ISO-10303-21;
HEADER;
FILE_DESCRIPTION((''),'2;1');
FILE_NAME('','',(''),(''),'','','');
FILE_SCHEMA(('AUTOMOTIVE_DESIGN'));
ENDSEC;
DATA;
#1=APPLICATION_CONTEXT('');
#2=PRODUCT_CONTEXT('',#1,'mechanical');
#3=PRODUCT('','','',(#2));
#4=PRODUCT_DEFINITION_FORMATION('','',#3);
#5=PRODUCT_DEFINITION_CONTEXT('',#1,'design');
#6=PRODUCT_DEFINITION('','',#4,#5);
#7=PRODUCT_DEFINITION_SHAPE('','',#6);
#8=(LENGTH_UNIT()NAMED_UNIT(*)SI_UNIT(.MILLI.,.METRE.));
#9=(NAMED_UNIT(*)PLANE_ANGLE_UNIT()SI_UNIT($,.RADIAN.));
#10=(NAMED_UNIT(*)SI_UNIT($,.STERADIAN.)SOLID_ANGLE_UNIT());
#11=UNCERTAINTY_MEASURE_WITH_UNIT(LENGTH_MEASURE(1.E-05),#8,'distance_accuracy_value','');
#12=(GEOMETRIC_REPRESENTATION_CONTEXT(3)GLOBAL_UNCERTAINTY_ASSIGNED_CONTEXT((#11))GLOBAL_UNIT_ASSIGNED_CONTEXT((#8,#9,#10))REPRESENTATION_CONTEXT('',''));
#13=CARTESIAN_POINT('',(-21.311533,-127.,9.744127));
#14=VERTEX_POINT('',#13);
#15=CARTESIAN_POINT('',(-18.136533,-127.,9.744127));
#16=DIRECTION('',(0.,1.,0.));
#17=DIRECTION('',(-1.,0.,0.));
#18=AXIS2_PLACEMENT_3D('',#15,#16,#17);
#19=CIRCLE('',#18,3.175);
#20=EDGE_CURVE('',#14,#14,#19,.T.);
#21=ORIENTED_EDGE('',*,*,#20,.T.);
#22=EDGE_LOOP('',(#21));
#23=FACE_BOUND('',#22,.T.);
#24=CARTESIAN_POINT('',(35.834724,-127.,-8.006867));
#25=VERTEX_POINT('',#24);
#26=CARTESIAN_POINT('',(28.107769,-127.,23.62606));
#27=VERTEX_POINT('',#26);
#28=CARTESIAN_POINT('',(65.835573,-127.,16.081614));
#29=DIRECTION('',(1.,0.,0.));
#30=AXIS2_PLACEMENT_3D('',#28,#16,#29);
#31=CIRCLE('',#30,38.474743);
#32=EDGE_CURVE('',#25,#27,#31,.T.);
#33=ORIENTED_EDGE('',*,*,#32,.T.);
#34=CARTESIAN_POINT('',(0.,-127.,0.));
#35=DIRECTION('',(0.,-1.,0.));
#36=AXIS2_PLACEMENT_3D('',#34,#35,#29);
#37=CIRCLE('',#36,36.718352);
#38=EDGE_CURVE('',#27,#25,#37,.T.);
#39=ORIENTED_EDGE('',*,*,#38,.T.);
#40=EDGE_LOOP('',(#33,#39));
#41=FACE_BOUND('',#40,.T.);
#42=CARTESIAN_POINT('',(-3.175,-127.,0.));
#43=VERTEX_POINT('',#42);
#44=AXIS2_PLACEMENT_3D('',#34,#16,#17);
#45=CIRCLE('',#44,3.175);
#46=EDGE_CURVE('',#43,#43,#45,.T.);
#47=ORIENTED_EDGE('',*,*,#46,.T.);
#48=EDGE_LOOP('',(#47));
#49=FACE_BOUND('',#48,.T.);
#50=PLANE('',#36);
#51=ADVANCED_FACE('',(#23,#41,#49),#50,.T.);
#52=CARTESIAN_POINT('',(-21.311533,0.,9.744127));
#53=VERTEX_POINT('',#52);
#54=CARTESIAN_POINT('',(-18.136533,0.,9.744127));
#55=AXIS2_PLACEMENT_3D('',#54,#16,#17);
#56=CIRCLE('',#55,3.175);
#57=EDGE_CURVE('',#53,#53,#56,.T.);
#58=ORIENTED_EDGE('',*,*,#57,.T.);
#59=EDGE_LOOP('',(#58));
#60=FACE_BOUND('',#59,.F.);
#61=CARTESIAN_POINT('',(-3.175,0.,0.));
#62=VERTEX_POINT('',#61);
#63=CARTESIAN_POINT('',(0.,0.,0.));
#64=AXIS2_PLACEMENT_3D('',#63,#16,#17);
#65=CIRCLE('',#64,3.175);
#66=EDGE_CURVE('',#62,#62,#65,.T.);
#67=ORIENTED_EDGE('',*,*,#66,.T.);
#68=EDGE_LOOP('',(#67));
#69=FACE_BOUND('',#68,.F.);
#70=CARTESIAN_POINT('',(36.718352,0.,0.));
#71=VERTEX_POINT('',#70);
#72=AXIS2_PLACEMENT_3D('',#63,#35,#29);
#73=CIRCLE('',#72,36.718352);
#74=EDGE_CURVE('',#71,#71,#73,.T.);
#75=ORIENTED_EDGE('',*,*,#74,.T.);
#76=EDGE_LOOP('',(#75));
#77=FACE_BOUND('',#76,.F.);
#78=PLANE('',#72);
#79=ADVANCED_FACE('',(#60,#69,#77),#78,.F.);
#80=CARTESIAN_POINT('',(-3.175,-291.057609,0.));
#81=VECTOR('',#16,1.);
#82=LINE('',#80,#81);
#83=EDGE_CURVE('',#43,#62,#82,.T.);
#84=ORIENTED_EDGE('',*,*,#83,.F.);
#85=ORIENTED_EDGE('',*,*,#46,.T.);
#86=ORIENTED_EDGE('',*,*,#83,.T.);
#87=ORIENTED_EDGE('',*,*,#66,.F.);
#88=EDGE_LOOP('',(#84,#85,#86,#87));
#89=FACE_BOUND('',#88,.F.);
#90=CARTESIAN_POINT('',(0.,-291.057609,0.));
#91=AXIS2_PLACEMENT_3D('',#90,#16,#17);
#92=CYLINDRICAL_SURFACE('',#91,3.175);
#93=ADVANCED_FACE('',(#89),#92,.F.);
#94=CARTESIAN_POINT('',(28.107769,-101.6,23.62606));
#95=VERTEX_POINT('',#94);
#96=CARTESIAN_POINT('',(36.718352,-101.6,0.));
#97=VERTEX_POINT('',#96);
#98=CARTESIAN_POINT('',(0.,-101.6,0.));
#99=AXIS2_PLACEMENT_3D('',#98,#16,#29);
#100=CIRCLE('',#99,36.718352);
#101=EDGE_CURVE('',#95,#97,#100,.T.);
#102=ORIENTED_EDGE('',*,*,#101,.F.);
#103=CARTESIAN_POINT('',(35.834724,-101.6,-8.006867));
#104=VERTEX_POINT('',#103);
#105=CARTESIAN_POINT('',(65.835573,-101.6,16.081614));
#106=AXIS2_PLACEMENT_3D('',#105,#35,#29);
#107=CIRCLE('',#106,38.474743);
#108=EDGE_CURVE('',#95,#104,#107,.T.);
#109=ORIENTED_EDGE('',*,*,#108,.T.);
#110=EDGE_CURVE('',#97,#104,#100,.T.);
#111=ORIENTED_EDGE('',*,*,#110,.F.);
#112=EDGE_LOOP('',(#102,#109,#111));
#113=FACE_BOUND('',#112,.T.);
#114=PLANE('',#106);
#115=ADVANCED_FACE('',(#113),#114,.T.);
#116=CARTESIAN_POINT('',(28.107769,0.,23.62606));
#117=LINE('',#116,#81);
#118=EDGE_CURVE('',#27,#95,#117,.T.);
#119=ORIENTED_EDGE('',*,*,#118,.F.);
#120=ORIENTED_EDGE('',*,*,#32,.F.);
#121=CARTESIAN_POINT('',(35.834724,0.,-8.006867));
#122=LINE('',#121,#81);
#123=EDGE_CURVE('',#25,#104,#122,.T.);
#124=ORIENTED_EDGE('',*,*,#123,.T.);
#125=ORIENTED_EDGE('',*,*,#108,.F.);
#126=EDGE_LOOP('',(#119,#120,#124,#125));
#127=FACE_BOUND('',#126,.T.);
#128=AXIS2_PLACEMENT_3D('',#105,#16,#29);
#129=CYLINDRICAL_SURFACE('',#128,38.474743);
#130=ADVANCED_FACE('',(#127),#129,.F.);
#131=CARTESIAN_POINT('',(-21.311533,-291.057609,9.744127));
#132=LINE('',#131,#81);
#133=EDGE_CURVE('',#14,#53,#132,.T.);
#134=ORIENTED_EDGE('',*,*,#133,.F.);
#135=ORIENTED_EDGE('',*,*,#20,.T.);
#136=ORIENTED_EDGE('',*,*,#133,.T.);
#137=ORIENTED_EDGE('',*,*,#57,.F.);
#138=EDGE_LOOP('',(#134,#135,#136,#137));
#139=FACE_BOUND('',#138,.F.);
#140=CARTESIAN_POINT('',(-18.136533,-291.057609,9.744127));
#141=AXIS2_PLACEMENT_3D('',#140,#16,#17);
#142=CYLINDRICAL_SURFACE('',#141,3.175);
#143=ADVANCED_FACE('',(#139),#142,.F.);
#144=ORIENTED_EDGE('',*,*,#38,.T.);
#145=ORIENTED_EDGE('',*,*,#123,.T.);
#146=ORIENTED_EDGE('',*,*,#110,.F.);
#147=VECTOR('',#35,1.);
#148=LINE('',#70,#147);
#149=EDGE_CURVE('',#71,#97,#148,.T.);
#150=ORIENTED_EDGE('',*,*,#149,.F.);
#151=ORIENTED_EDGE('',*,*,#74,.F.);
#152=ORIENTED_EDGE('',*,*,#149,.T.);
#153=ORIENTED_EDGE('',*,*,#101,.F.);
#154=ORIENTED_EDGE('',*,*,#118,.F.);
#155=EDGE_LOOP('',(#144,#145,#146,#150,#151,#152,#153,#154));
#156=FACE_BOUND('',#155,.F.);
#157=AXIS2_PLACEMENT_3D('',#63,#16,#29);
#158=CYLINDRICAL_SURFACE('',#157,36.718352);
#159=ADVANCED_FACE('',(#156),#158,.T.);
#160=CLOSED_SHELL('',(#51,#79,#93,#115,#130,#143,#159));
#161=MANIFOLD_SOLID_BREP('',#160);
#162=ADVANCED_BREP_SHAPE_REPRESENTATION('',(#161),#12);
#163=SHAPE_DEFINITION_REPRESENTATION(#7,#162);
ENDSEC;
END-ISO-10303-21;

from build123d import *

# Parameters (mm, degrees)
F0_R     = 36.718352
F1_DEPTH = 127
F3_R     = 38.474743
F4_DEPTH = 62.738
F6_D     = 6.35


with BuildPart() as f1:
    # F0 (on Front) → F1 (new body)
    with BuildSketch(Plane.XZ):
        Circle(F0_R)
    extrude(amount=F1_DEPTH)

    # F3 (on offset) → F4 (cut)
    with BuildSketch(Plane.XZ.offset(101.6)):
        with Locations((65.835573, 16.081614)):
            Circle(F3_R)
    extrude(amount=F4_DEPTH, mode=Mode.SUBTRACT)

    # F6 (through all)
    with Locations(Plane.XZ.offset(127)):
        with Locations((-18.136533, 9.744127), (0, 0)):
            Hole(F6_D / 2)


solid = f1.part
